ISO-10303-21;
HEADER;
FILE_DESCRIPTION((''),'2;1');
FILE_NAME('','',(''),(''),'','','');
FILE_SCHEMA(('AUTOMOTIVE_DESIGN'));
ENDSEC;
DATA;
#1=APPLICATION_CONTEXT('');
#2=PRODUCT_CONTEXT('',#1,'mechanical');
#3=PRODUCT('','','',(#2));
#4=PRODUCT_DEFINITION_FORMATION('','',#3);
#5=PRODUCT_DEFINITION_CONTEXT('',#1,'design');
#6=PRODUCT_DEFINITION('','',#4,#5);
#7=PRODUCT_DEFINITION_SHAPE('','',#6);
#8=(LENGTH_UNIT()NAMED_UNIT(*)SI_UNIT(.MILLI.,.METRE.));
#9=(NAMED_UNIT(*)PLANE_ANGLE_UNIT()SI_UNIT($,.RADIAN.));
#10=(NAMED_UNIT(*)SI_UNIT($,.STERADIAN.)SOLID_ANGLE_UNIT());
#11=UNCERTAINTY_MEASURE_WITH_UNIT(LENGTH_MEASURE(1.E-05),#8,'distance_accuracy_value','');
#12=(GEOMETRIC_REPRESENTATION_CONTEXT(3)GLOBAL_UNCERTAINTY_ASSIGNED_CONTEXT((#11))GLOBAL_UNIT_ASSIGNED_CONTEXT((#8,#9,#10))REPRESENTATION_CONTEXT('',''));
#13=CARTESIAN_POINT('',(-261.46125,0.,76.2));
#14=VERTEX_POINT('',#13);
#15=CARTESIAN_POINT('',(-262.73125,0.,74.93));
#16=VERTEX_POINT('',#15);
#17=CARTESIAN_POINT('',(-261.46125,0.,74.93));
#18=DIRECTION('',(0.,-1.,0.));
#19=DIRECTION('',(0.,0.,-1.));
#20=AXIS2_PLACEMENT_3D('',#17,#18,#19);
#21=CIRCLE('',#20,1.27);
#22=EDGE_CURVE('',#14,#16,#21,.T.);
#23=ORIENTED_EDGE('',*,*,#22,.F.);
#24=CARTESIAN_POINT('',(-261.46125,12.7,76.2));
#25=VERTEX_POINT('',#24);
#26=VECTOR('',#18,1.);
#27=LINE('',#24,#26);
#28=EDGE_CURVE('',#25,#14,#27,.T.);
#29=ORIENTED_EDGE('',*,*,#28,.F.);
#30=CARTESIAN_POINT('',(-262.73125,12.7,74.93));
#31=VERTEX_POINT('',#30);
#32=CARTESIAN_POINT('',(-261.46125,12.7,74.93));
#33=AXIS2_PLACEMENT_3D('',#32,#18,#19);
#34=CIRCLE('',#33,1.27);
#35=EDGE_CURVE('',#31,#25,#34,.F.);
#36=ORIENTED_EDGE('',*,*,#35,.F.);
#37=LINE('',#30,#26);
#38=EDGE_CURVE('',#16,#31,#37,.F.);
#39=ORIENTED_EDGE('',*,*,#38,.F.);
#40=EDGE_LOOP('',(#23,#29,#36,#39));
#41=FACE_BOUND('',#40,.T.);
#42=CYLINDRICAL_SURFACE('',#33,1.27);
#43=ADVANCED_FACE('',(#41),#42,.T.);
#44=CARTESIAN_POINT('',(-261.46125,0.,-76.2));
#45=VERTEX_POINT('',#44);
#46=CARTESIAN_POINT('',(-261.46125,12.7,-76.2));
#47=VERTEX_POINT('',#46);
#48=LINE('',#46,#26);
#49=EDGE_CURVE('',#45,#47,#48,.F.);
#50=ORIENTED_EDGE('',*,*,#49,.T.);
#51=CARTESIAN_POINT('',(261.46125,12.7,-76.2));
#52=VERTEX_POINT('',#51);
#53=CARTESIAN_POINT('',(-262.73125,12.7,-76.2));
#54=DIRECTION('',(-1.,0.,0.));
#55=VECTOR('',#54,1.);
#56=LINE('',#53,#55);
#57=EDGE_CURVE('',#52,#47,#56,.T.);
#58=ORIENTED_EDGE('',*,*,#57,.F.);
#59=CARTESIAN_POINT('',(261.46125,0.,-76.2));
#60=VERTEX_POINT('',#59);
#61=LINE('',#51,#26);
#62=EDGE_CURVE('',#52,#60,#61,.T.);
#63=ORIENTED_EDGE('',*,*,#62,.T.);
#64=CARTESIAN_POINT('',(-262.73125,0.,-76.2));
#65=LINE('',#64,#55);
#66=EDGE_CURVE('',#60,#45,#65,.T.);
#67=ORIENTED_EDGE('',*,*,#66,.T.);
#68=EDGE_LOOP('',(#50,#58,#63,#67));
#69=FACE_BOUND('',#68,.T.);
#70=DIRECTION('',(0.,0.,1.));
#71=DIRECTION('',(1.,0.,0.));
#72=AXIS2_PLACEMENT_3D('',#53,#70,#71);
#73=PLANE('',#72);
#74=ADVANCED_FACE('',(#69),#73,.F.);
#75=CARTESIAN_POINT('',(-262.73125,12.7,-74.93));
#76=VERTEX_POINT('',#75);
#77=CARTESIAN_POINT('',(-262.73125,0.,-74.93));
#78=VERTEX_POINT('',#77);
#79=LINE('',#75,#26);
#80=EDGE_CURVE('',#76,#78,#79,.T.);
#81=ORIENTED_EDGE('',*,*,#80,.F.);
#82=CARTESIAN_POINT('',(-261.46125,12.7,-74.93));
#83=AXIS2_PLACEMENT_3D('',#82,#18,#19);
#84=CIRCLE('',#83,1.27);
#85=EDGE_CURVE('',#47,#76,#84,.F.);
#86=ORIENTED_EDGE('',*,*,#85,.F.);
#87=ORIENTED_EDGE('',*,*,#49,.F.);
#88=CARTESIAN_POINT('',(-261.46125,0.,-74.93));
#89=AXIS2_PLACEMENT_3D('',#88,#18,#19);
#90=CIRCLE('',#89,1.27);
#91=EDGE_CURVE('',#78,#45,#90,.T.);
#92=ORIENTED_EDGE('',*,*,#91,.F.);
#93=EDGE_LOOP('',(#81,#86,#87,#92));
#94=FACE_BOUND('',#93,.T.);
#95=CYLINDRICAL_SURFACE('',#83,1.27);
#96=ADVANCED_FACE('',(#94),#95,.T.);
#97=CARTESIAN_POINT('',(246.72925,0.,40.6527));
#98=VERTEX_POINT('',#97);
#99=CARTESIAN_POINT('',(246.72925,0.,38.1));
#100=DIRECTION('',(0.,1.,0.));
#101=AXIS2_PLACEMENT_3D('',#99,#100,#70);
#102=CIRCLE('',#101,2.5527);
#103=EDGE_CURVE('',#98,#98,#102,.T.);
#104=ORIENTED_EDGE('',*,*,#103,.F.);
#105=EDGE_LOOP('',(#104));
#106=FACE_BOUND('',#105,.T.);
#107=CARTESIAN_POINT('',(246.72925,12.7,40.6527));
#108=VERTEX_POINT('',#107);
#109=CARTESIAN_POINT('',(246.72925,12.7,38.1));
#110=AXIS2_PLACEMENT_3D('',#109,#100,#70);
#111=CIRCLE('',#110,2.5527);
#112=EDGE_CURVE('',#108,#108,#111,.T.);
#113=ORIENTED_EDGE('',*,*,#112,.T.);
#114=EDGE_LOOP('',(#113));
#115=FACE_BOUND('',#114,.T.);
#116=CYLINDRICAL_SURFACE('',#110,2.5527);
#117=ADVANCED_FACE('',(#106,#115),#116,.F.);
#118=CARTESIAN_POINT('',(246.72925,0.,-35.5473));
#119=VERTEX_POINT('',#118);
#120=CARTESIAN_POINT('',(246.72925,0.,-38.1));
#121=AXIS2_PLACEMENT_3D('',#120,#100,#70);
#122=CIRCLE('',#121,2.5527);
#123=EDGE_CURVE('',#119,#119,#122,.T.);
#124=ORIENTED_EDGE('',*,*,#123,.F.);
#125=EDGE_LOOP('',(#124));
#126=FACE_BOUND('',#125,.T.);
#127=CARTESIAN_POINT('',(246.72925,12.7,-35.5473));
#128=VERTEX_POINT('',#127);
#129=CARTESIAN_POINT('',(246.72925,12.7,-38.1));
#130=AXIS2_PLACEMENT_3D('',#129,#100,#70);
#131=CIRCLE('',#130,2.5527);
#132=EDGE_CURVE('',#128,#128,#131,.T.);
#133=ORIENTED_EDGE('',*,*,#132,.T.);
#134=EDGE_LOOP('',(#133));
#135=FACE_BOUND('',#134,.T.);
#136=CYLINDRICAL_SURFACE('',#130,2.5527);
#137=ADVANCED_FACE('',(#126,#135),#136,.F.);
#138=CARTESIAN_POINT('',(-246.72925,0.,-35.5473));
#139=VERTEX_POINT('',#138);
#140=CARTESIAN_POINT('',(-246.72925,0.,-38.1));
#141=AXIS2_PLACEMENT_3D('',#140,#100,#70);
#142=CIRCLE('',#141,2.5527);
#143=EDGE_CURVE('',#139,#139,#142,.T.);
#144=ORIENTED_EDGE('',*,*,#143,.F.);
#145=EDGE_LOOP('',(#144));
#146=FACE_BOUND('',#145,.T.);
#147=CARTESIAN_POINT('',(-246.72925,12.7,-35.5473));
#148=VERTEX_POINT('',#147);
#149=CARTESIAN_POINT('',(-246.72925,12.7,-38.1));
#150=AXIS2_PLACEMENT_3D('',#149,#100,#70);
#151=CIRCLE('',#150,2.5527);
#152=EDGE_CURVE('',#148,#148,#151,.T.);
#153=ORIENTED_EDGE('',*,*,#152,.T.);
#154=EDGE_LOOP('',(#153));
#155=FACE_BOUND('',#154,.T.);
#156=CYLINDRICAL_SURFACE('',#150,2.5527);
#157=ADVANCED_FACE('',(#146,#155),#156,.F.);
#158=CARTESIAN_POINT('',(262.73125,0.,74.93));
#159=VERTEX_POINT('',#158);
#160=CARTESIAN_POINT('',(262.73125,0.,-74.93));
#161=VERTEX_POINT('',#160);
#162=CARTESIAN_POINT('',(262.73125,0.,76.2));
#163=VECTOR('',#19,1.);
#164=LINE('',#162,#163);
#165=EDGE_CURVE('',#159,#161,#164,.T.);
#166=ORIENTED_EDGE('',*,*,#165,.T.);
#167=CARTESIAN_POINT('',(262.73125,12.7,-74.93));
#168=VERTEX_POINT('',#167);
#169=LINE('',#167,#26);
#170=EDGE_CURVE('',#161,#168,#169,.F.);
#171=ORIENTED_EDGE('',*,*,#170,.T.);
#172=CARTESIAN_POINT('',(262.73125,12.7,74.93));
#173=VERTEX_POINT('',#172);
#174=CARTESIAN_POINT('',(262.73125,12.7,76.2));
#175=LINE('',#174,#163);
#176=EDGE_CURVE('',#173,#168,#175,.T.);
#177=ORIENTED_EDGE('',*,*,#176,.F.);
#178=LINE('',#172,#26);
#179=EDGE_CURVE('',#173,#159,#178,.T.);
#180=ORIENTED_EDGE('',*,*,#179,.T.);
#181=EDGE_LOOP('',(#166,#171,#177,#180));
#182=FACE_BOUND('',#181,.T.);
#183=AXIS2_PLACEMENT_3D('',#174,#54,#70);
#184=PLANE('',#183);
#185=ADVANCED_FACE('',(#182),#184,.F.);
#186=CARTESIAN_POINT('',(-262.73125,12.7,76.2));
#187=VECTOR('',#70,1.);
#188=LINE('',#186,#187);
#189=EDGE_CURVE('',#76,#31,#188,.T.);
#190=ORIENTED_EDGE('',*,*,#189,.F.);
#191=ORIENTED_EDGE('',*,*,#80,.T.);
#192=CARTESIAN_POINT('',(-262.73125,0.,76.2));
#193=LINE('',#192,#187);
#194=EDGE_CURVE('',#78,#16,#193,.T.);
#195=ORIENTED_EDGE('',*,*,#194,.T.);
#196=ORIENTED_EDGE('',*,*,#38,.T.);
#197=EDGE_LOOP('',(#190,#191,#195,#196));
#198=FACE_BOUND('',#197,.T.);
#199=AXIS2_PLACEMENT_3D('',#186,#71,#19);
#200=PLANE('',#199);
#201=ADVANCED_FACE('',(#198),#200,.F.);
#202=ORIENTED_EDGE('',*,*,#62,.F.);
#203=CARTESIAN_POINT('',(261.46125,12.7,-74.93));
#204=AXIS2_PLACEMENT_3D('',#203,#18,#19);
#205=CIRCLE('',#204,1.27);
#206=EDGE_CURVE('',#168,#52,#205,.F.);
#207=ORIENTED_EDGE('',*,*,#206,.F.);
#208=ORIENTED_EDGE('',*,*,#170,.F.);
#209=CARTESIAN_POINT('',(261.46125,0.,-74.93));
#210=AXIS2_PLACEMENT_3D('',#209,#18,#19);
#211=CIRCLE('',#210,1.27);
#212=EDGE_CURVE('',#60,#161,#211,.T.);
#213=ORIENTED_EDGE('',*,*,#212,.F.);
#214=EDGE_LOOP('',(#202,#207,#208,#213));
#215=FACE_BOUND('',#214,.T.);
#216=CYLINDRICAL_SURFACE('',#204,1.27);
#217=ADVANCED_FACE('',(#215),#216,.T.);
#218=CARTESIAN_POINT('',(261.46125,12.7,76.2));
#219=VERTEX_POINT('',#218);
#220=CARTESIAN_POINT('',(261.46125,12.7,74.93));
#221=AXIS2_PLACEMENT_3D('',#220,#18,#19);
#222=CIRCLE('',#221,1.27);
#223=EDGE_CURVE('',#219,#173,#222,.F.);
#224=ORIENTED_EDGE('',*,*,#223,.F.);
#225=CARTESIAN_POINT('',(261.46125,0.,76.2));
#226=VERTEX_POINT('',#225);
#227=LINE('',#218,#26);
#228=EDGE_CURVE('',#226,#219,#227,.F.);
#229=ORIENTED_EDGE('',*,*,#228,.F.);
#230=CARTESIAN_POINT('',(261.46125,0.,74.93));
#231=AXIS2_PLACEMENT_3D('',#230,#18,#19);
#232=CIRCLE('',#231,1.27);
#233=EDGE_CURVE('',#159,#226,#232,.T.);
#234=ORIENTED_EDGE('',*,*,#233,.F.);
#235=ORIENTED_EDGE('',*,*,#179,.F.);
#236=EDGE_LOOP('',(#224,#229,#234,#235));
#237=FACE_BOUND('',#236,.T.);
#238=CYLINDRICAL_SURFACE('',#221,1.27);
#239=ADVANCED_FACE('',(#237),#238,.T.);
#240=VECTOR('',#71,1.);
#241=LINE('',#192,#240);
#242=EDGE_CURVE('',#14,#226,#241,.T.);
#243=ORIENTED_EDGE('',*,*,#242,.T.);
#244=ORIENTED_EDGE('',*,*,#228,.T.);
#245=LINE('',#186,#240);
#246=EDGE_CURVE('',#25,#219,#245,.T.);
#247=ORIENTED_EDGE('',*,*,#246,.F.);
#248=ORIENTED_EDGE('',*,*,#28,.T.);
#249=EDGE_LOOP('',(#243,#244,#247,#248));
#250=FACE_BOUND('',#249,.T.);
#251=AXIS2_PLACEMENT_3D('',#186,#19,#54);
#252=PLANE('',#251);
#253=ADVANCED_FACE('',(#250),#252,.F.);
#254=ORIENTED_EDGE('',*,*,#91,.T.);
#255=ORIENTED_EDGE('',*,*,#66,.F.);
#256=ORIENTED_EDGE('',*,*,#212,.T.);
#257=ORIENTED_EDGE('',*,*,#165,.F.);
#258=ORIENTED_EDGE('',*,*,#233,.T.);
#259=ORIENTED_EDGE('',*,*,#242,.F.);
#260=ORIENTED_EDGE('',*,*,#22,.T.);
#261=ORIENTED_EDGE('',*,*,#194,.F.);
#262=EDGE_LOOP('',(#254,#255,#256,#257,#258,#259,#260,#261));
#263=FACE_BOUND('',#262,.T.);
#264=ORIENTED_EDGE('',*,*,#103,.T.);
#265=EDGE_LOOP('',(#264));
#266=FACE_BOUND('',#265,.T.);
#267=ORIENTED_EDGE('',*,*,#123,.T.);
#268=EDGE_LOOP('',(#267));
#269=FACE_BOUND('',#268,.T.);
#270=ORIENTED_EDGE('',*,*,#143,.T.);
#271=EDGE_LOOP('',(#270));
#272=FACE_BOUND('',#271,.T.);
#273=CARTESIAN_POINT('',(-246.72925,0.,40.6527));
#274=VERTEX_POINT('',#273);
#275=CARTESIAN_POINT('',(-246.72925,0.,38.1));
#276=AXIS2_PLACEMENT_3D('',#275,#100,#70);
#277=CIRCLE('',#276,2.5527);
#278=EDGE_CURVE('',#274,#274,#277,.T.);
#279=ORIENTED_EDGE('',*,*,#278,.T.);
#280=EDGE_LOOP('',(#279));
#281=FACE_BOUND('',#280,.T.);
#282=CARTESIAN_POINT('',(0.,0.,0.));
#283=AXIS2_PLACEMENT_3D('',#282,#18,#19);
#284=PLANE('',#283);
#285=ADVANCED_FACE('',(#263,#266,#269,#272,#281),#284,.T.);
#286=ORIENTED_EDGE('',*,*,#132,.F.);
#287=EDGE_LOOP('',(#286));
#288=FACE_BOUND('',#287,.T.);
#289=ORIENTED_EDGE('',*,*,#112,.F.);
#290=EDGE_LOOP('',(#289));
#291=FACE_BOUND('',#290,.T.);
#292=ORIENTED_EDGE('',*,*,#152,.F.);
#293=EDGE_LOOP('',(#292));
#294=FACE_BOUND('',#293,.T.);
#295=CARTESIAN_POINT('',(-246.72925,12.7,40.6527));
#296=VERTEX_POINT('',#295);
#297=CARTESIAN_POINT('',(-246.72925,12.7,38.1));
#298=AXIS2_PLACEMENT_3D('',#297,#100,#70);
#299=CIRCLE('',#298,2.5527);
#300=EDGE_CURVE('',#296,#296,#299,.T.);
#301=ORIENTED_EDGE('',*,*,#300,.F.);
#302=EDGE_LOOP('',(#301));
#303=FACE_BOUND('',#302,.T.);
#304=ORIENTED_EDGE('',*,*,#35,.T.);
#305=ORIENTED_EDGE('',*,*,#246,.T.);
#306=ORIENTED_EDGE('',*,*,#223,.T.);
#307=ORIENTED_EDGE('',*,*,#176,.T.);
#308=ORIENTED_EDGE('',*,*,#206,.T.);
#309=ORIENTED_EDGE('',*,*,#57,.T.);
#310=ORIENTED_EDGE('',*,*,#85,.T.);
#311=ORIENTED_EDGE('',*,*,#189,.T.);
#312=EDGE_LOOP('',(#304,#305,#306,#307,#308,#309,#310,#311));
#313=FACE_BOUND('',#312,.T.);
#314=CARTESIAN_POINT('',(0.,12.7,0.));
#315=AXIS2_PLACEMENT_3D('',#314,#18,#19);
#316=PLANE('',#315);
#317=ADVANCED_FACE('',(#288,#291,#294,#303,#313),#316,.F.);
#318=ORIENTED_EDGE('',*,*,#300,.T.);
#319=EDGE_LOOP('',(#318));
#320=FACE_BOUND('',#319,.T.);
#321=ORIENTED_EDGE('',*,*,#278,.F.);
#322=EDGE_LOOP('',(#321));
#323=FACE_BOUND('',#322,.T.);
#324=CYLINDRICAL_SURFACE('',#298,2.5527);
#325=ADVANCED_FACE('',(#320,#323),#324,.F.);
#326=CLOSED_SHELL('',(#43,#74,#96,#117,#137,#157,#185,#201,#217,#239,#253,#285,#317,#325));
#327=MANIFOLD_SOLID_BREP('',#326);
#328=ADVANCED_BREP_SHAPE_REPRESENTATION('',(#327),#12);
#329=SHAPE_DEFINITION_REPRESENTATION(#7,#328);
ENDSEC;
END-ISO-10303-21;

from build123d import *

# Parameters (mm, degrees)
SKETCH1_W              = 525.4625
SKETCH1_H              = 152.4
BOSS_EXTRUDE1_DEPTH    = 12.7
F_10_CLEARANCE_HOLE1_D = 5.1054
FILLET1_R              = 1.27


with BuildPart() as part:
    # Sketch1 → Boss-Extrude1 (new body)
    with BuildSketch(Plane(origin=(0, 0, 0), x_dir=(1, 0, 0), z_dir=(0, 1, 0))):
        Rectangle(SKETCH1_W, SKETCH1_H)
    extrude(amount=BOSS_EXTRUDE1_DEPTH)

    # #10 Clearance Hole1 (through all)
    with Locations(Plane(origin=(0, 12.7, 0), x_dir=(1, 0, 0), z_dir=(0, 1, 0))):
        with Locations((246.72925, -38.1), (-246.72925, 38.1), (-246.72925, -38.1), (246.72925, 38.1)):
            Hole(F_10_CLEARANCE_HOLE1_D / 2)

    # Fillet1
    fillet1_edges = [part.edges().sort_by_distance(p)[0] for p in [
        (262.73125, 6.35, 76.2),
        (-262.73125, 6.35, 76.2),
        (-262.73125, 6.35, -76.2),
        (262.73125, 6.35, -76.2),
    ]]
    fillet(fillet1_edges, radius=FILLET1_R)


solid = part.part
